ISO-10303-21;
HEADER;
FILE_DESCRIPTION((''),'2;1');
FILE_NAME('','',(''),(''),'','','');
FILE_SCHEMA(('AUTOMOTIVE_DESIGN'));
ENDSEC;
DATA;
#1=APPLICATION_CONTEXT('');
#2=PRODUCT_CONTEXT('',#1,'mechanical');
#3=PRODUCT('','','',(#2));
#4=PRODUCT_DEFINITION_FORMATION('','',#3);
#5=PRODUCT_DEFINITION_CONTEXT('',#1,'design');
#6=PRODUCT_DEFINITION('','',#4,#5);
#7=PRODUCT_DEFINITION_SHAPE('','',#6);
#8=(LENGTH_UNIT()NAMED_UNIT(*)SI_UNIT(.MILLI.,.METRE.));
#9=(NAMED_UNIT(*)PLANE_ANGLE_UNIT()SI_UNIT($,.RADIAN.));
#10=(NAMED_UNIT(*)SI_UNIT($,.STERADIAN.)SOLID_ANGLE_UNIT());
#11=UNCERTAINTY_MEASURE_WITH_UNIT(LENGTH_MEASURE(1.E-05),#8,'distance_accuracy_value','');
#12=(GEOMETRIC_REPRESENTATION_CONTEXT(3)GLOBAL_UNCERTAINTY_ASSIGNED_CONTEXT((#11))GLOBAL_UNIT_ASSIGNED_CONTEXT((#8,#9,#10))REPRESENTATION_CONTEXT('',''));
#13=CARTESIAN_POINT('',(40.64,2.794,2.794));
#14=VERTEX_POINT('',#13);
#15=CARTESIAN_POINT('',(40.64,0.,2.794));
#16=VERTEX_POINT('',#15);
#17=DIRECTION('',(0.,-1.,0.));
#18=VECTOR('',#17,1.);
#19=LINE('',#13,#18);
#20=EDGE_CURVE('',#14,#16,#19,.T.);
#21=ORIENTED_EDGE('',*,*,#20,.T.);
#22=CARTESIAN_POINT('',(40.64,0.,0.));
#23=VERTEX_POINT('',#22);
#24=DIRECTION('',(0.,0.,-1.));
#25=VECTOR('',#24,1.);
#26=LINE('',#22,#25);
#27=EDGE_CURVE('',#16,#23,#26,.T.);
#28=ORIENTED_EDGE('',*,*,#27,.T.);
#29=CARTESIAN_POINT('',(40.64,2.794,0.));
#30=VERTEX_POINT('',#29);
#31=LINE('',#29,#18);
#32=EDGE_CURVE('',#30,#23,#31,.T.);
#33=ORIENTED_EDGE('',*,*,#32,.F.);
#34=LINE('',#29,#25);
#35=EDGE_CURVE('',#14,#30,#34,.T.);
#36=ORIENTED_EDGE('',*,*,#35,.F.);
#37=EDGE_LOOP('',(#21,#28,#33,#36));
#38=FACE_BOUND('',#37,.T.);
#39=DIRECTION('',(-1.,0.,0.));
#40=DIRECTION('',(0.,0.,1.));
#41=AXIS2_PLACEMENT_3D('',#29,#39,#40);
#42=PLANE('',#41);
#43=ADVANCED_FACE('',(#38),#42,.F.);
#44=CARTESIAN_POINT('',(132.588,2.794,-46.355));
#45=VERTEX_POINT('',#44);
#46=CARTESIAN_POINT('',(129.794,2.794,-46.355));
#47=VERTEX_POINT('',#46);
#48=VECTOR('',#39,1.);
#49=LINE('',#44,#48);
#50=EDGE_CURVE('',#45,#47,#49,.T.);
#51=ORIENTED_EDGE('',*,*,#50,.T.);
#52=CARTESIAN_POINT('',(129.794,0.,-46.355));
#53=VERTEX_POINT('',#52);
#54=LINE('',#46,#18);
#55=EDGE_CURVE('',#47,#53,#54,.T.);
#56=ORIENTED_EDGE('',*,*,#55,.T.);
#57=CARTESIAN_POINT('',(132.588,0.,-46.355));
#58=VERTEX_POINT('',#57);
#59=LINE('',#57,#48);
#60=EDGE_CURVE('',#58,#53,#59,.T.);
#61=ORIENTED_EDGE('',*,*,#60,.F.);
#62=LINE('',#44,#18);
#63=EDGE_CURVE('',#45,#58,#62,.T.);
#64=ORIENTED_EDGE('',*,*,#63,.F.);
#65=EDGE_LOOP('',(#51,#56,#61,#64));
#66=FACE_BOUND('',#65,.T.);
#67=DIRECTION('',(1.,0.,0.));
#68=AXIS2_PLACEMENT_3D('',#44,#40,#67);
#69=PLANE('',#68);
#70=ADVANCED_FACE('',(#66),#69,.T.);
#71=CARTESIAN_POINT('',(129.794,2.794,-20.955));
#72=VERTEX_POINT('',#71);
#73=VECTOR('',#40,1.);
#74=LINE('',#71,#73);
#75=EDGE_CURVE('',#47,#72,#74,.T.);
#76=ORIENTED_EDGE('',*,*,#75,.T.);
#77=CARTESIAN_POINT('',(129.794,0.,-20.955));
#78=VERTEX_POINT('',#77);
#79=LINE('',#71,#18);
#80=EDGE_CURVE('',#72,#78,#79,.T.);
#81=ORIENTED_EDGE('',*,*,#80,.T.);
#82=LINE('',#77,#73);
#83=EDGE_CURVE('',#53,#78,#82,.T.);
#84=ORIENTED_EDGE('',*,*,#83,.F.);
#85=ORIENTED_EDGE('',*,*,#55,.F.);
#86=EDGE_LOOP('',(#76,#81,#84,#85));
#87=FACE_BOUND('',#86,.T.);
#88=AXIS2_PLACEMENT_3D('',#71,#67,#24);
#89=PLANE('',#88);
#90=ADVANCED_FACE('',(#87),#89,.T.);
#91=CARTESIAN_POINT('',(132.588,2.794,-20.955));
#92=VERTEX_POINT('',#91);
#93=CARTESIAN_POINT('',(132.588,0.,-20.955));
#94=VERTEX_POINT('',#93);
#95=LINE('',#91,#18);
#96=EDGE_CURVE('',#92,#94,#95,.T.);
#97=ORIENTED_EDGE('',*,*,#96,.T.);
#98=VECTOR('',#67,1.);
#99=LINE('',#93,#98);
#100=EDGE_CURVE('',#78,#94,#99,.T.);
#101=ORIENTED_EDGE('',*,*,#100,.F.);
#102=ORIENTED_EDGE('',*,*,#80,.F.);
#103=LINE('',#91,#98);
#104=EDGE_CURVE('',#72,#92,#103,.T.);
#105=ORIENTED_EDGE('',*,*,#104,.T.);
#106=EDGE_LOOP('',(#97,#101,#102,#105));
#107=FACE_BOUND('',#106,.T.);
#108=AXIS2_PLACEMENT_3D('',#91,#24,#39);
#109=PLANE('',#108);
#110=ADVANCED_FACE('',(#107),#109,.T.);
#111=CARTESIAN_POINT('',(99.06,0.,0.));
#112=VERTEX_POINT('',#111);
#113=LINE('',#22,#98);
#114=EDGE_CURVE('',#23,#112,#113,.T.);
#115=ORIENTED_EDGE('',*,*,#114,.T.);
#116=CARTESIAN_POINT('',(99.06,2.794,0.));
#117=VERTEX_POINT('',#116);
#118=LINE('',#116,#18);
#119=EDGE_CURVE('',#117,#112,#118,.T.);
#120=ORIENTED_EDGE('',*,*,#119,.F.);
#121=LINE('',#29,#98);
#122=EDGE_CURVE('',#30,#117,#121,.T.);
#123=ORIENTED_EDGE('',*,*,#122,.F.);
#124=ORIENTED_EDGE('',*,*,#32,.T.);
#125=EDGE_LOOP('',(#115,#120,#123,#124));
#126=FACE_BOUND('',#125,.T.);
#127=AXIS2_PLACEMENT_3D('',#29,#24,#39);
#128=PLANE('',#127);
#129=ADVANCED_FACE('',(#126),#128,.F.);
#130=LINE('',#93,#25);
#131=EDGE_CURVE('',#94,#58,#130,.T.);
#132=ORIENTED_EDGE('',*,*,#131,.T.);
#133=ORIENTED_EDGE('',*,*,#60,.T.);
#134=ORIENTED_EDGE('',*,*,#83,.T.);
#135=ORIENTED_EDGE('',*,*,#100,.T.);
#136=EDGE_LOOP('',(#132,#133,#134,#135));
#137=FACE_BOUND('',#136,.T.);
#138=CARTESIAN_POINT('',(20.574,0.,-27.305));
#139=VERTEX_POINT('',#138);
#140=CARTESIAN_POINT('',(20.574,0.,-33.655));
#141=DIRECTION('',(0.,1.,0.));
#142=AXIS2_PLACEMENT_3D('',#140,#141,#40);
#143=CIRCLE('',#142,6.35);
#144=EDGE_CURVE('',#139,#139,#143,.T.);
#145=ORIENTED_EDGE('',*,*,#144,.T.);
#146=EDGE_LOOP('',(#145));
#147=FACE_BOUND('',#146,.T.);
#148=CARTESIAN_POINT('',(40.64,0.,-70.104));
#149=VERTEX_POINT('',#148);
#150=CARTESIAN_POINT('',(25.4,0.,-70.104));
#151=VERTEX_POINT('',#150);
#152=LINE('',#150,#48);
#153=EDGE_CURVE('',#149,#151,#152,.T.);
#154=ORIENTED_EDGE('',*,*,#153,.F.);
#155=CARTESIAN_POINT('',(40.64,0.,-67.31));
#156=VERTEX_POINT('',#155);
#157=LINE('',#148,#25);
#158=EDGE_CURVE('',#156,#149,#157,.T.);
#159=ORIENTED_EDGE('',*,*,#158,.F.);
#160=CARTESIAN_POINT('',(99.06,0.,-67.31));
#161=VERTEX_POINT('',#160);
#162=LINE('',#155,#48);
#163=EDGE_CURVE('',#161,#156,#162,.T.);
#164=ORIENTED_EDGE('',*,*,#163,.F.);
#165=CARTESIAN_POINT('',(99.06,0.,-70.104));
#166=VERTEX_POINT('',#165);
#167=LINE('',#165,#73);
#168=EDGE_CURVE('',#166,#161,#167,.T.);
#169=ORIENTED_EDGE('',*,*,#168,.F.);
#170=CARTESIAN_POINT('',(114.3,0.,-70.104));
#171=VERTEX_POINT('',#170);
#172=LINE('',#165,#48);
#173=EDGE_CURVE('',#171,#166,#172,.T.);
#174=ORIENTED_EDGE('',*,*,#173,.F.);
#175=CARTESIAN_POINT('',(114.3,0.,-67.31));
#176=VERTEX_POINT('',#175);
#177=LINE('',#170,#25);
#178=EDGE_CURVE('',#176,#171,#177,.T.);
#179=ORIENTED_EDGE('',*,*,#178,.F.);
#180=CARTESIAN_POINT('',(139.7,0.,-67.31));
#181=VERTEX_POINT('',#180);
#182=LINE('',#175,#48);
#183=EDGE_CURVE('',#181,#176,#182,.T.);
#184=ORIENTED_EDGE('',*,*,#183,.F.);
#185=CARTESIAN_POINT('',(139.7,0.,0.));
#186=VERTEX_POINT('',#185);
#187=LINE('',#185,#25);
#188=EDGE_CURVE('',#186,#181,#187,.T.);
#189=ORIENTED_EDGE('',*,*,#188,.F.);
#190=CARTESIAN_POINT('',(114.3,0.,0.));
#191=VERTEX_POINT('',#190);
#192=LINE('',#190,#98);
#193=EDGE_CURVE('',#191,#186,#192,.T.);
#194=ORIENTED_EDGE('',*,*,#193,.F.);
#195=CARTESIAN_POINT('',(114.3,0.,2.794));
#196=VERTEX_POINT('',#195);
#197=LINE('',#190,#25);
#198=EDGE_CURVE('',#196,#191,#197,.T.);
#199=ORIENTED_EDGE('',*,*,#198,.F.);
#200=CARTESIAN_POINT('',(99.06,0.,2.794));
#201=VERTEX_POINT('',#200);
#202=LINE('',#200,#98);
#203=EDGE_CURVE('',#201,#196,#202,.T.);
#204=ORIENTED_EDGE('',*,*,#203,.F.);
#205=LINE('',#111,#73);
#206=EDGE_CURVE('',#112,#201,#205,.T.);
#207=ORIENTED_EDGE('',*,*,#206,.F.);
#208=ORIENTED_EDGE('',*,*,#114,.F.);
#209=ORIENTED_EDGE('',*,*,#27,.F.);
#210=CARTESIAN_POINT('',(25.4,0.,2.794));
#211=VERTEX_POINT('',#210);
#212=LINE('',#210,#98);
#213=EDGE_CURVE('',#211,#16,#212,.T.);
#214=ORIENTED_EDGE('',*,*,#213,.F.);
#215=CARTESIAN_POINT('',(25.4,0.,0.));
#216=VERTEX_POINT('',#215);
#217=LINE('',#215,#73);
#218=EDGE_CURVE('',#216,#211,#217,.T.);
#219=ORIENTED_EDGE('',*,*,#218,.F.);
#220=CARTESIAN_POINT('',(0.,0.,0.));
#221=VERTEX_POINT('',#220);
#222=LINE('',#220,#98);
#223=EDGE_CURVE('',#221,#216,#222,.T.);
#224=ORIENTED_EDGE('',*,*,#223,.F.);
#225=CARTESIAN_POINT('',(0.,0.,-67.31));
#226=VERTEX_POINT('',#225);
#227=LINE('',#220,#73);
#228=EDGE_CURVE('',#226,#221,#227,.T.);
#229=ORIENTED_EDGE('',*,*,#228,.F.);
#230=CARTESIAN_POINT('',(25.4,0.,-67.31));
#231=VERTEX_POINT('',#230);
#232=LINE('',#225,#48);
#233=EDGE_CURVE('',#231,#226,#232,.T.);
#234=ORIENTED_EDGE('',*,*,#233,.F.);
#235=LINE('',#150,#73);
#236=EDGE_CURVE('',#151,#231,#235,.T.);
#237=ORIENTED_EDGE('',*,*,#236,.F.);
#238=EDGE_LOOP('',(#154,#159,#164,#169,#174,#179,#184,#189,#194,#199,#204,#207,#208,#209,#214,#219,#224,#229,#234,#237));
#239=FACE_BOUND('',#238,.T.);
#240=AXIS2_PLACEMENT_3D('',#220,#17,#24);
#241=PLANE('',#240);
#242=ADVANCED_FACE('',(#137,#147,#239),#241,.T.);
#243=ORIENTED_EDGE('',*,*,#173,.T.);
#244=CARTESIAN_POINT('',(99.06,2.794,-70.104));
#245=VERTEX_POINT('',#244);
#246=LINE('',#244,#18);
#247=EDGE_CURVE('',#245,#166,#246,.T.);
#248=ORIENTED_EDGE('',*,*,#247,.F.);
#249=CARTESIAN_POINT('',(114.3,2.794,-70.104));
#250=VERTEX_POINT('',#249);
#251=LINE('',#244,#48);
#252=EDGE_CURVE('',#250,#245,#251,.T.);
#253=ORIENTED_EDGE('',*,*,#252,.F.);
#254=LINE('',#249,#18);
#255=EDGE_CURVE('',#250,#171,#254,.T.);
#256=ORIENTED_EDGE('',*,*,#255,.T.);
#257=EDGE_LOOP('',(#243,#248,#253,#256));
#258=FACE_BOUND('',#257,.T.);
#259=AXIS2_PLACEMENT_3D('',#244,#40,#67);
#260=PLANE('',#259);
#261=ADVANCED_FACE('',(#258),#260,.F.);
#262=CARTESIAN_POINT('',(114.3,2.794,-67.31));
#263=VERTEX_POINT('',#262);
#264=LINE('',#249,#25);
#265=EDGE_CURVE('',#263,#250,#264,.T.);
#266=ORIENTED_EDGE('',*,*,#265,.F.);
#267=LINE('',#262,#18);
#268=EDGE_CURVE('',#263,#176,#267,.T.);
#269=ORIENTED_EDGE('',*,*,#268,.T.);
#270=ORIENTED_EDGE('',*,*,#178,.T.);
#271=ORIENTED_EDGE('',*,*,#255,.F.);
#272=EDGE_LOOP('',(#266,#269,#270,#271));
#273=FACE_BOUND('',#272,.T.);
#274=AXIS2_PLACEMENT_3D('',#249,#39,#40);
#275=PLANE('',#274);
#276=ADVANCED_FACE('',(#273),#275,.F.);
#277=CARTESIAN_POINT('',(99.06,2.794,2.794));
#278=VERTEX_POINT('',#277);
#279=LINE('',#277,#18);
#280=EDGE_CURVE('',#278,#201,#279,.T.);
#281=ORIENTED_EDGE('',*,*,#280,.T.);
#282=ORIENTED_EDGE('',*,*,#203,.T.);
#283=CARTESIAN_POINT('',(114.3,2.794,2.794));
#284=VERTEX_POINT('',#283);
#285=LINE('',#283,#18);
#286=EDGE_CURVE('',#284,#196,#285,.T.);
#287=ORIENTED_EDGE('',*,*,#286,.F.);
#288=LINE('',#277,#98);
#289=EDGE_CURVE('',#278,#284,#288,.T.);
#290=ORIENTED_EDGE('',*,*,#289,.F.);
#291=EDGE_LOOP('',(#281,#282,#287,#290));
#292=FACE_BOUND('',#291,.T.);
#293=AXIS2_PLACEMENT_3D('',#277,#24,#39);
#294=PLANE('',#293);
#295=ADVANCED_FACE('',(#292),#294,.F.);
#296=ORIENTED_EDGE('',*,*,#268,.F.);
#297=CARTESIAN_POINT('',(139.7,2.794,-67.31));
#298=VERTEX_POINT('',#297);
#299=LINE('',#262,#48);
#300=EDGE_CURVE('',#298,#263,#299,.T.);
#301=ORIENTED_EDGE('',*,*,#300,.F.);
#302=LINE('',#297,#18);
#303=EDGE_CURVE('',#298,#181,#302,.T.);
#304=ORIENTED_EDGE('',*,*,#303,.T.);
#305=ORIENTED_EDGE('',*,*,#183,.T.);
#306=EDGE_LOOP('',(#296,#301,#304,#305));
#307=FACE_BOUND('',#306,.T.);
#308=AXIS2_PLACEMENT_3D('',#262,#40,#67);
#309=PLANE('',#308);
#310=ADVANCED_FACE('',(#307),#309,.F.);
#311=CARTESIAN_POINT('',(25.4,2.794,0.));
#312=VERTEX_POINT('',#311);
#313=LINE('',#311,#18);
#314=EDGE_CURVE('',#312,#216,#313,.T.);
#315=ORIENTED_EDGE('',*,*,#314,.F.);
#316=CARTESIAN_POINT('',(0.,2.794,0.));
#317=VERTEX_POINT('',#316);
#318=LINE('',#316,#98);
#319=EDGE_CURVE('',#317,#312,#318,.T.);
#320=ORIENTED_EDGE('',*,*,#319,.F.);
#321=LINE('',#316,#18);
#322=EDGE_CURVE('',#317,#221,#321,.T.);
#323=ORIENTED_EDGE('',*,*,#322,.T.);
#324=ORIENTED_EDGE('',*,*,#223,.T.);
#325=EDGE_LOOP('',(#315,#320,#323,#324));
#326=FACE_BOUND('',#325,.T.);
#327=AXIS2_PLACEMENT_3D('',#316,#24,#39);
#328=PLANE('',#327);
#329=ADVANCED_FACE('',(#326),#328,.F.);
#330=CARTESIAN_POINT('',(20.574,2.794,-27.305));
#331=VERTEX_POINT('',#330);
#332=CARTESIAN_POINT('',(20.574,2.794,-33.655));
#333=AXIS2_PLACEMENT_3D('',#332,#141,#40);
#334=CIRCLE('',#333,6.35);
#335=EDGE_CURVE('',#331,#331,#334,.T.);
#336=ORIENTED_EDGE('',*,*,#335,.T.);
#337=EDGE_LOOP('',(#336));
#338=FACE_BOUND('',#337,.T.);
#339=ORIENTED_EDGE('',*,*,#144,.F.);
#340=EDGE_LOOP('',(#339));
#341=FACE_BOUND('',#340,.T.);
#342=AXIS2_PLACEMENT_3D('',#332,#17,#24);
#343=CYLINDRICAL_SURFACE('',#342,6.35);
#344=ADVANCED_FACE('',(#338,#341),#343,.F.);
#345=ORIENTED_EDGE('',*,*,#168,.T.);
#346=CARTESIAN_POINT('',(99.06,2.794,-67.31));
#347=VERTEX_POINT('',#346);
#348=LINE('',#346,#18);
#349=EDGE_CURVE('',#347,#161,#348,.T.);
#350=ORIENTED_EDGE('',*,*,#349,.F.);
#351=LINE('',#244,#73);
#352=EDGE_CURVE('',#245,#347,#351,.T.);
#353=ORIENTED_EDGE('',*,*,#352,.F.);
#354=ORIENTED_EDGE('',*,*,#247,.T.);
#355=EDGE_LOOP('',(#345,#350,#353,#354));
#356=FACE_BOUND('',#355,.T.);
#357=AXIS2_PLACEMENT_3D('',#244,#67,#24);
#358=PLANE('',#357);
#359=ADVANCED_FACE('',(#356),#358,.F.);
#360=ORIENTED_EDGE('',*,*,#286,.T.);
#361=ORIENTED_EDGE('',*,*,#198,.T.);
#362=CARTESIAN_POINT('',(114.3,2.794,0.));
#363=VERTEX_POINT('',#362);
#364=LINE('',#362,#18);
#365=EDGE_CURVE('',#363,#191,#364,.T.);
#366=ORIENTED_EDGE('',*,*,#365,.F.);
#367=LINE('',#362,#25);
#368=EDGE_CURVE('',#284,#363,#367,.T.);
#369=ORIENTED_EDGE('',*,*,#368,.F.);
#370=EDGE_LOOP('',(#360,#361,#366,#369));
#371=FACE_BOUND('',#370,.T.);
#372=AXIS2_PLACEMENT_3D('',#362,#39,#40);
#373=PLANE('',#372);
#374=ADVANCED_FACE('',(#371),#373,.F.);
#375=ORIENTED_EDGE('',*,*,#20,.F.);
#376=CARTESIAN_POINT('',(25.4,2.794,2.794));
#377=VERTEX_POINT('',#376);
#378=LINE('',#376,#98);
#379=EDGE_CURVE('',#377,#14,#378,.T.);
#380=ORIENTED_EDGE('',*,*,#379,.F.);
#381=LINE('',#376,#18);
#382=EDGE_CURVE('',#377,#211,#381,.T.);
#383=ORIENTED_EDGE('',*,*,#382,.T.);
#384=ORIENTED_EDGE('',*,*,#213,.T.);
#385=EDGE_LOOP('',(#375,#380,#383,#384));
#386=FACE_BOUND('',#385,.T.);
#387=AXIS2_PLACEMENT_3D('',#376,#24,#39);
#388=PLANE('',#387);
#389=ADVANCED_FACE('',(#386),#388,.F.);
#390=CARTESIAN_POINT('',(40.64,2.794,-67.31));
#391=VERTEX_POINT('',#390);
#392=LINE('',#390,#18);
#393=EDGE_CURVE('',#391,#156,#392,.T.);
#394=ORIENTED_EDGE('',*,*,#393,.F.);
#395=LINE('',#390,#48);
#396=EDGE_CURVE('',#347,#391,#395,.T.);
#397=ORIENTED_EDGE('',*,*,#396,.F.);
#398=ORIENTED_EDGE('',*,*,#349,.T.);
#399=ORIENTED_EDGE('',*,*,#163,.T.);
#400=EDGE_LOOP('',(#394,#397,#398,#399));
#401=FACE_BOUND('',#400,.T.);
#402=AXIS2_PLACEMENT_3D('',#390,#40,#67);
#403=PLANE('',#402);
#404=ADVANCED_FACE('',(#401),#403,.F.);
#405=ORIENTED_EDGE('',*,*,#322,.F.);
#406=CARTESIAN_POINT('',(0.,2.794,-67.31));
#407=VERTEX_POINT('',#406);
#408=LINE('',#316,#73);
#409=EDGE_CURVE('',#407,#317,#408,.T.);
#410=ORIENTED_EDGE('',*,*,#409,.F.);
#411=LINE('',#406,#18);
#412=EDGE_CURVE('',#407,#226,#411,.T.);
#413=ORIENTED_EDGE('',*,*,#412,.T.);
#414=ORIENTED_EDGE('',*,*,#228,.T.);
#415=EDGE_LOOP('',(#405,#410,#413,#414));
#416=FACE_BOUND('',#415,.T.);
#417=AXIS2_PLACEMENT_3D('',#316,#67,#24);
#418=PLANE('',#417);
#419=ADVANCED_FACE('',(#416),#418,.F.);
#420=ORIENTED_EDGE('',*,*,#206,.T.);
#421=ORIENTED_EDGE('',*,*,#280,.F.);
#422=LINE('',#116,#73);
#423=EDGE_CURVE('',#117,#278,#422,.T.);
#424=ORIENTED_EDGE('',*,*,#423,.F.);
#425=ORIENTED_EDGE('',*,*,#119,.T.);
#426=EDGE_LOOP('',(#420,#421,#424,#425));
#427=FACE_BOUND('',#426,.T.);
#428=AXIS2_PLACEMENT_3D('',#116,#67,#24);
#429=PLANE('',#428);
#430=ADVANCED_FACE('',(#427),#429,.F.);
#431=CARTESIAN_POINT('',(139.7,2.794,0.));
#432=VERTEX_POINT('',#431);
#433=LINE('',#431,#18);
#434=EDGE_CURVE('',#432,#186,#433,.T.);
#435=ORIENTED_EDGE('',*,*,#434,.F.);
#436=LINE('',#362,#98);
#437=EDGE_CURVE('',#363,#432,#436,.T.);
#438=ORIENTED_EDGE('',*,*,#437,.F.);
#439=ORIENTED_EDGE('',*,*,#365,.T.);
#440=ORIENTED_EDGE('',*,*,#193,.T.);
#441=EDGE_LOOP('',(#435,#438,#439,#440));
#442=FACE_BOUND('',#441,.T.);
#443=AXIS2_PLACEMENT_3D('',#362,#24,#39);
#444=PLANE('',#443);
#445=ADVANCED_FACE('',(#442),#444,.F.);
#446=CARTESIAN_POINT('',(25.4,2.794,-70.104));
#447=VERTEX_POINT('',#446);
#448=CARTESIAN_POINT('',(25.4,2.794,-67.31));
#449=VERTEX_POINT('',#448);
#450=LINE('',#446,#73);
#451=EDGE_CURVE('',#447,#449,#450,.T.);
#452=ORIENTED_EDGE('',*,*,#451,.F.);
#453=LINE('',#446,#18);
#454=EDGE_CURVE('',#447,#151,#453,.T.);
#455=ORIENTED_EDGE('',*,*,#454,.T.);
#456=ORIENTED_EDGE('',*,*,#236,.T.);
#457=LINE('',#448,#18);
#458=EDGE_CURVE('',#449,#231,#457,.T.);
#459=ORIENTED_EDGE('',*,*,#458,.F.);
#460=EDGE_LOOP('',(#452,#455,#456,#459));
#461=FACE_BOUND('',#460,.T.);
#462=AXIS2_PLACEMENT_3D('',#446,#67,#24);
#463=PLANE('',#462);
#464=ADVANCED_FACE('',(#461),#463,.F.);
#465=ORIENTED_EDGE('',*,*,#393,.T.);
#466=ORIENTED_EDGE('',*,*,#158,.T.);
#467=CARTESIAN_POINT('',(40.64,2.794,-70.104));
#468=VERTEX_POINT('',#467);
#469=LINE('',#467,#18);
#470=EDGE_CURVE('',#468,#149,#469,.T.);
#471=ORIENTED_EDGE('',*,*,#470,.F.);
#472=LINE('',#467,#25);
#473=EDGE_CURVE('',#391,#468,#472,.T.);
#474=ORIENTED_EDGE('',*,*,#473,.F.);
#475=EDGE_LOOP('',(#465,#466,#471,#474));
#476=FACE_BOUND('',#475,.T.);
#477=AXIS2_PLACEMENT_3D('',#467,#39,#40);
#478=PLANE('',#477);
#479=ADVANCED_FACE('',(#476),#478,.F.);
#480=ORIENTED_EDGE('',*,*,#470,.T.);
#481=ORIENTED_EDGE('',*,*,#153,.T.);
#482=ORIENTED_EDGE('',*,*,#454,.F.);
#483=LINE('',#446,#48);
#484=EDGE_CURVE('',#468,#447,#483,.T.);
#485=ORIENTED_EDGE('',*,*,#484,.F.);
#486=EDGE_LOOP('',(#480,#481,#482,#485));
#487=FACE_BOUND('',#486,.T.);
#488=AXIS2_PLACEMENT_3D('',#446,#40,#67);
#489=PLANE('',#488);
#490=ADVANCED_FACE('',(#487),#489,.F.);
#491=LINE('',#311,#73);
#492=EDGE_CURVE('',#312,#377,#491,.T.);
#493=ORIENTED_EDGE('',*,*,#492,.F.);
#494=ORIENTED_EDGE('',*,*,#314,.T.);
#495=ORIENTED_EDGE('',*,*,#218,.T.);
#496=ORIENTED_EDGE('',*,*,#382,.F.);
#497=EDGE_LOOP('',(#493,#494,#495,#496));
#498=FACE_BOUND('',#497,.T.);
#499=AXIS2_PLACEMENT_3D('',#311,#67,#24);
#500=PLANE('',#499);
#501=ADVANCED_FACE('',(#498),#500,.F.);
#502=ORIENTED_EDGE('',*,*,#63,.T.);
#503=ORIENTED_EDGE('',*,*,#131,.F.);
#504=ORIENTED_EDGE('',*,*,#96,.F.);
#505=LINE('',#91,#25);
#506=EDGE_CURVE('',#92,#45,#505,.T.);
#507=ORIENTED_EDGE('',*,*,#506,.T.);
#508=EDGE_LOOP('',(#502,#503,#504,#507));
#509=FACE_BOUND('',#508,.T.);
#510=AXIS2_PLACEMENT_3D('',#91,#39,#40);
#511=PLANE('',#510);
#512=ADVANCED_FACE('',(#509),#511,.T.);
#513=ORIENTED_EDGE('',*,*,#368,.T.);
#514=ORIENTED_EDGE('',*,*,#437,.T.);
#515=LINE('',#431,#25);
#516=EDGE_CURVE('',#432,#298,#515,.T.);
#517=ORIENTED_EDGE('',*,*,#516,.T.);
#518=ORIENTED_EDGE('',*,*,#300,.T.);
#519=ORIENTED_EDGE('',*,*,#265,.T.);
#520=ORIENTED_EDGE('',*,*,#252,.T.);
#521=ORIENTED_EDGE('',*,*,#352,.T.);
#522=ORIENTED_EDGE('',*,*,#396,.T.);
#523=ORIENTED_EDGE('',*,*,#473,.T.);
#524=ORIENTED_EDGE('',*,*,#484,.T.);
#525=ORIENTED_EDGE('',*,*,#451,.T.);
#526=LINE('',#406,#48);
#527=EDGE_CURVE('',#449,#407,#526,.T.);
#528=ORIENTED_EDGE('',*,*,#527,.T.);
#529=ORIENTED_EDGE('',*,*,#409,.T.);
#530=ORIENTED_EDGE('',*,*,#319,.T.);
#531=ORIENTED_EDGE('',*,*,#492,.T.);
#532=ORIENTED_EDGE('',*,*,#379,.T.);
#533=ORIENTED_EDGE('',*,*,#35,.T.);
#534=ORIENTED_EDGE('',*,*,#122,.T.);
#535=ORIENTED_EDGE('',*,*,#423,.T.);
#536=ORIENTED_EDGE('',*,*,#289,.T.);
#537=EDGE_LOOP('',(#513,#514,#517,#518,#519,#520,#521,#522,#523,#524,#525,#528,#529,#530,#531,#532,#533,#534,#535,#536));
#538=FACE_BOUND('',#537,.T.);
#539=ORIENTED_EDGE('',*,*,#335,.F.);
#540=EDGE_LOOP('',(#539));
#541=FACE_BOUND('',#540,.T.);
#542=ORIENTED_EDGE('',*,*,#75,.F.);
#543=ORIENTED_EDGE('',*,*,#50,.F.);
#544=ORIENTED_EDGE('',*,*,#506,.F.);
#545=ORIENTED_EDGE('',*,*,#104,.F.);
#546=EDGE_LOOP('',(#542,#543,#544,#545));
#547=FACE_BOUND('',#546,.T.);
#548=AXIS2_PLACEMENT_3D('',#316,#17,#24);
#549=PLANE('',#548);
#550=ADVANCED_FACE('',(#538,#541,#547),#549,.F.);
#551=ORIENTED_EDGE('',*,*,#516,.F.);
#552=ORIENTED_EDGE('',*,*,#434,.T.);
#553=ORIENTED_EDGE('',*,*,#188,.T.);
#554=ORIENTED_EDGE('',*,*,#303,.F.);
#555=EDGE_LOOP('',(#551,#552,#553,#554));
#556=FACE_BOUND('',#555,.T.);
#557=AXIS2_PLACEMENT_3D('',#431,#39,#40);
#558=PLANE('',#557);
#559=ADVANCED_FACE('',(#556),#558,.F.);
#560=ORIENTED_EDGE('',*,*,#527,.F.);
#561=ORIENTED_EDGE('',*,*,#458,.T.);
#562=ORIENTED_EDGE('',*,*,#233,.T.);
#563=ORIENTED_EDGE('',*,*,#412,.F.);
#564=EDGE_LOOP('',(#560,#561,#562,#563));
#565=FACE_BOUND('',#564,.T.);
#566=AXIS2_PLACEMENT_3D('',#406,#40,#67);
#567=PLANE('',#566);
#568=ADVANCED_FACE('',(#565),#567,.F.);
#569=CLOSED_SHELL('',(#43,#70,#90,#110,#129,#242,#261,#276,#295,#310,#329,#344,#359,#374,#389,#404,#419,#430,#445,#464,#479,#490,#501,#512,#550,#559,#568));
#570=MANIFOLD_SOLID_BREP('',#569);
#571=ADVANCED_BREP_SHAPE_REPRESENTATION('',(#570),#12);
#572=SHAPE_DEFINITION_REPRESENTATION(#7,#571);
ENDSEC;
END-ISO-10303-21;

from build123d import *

# Parameters (mm, degrees)
SKETCH2_R           = 6.35
SKETCH2_W           = 2.794
SKETCH2_H           = 25.4
BOSS_EXTRUDE1_DEPTH = 2.794


with BuildPart() as part:
    # Sketch2 → Boss-Extrude1 (new body)
    with BuildSketch(Plane(origin=(0, 0, 0), x_dir=(1, 0, 0), z_dir=(0, 1, 0))):
        Polygon((0, 0), (25.4, 0), (25.4, -2.794), (40.64, -2.794), (40.64, 0), (99.06, 0), (99.06, -2.794), (114.3, -2.794), (114.3, 0), (139.7, 0), (139.7, 67.31), (114.3, 67.31), (114.3, 70.104), (99.06, 70.104), (99.06, 67.31), (40.64, 67.31), (40.64, 70.104), (25.4, 70.104), (25.4, 67.31), (0, 67.31), align=None)
        with Locations((20.574, 33.655)):
            Circle(SKETCH2_R, mode=Mode.SUBTRACT)
        with Locations((131.191, 33.655)):
            Rectangle(SKETCH2_W, SKETCH2_H, mode=Mode.SUBTRACT)
    extrude(amount=BOSS_EXTRUDE1_DEPTH)


solid = part.part
